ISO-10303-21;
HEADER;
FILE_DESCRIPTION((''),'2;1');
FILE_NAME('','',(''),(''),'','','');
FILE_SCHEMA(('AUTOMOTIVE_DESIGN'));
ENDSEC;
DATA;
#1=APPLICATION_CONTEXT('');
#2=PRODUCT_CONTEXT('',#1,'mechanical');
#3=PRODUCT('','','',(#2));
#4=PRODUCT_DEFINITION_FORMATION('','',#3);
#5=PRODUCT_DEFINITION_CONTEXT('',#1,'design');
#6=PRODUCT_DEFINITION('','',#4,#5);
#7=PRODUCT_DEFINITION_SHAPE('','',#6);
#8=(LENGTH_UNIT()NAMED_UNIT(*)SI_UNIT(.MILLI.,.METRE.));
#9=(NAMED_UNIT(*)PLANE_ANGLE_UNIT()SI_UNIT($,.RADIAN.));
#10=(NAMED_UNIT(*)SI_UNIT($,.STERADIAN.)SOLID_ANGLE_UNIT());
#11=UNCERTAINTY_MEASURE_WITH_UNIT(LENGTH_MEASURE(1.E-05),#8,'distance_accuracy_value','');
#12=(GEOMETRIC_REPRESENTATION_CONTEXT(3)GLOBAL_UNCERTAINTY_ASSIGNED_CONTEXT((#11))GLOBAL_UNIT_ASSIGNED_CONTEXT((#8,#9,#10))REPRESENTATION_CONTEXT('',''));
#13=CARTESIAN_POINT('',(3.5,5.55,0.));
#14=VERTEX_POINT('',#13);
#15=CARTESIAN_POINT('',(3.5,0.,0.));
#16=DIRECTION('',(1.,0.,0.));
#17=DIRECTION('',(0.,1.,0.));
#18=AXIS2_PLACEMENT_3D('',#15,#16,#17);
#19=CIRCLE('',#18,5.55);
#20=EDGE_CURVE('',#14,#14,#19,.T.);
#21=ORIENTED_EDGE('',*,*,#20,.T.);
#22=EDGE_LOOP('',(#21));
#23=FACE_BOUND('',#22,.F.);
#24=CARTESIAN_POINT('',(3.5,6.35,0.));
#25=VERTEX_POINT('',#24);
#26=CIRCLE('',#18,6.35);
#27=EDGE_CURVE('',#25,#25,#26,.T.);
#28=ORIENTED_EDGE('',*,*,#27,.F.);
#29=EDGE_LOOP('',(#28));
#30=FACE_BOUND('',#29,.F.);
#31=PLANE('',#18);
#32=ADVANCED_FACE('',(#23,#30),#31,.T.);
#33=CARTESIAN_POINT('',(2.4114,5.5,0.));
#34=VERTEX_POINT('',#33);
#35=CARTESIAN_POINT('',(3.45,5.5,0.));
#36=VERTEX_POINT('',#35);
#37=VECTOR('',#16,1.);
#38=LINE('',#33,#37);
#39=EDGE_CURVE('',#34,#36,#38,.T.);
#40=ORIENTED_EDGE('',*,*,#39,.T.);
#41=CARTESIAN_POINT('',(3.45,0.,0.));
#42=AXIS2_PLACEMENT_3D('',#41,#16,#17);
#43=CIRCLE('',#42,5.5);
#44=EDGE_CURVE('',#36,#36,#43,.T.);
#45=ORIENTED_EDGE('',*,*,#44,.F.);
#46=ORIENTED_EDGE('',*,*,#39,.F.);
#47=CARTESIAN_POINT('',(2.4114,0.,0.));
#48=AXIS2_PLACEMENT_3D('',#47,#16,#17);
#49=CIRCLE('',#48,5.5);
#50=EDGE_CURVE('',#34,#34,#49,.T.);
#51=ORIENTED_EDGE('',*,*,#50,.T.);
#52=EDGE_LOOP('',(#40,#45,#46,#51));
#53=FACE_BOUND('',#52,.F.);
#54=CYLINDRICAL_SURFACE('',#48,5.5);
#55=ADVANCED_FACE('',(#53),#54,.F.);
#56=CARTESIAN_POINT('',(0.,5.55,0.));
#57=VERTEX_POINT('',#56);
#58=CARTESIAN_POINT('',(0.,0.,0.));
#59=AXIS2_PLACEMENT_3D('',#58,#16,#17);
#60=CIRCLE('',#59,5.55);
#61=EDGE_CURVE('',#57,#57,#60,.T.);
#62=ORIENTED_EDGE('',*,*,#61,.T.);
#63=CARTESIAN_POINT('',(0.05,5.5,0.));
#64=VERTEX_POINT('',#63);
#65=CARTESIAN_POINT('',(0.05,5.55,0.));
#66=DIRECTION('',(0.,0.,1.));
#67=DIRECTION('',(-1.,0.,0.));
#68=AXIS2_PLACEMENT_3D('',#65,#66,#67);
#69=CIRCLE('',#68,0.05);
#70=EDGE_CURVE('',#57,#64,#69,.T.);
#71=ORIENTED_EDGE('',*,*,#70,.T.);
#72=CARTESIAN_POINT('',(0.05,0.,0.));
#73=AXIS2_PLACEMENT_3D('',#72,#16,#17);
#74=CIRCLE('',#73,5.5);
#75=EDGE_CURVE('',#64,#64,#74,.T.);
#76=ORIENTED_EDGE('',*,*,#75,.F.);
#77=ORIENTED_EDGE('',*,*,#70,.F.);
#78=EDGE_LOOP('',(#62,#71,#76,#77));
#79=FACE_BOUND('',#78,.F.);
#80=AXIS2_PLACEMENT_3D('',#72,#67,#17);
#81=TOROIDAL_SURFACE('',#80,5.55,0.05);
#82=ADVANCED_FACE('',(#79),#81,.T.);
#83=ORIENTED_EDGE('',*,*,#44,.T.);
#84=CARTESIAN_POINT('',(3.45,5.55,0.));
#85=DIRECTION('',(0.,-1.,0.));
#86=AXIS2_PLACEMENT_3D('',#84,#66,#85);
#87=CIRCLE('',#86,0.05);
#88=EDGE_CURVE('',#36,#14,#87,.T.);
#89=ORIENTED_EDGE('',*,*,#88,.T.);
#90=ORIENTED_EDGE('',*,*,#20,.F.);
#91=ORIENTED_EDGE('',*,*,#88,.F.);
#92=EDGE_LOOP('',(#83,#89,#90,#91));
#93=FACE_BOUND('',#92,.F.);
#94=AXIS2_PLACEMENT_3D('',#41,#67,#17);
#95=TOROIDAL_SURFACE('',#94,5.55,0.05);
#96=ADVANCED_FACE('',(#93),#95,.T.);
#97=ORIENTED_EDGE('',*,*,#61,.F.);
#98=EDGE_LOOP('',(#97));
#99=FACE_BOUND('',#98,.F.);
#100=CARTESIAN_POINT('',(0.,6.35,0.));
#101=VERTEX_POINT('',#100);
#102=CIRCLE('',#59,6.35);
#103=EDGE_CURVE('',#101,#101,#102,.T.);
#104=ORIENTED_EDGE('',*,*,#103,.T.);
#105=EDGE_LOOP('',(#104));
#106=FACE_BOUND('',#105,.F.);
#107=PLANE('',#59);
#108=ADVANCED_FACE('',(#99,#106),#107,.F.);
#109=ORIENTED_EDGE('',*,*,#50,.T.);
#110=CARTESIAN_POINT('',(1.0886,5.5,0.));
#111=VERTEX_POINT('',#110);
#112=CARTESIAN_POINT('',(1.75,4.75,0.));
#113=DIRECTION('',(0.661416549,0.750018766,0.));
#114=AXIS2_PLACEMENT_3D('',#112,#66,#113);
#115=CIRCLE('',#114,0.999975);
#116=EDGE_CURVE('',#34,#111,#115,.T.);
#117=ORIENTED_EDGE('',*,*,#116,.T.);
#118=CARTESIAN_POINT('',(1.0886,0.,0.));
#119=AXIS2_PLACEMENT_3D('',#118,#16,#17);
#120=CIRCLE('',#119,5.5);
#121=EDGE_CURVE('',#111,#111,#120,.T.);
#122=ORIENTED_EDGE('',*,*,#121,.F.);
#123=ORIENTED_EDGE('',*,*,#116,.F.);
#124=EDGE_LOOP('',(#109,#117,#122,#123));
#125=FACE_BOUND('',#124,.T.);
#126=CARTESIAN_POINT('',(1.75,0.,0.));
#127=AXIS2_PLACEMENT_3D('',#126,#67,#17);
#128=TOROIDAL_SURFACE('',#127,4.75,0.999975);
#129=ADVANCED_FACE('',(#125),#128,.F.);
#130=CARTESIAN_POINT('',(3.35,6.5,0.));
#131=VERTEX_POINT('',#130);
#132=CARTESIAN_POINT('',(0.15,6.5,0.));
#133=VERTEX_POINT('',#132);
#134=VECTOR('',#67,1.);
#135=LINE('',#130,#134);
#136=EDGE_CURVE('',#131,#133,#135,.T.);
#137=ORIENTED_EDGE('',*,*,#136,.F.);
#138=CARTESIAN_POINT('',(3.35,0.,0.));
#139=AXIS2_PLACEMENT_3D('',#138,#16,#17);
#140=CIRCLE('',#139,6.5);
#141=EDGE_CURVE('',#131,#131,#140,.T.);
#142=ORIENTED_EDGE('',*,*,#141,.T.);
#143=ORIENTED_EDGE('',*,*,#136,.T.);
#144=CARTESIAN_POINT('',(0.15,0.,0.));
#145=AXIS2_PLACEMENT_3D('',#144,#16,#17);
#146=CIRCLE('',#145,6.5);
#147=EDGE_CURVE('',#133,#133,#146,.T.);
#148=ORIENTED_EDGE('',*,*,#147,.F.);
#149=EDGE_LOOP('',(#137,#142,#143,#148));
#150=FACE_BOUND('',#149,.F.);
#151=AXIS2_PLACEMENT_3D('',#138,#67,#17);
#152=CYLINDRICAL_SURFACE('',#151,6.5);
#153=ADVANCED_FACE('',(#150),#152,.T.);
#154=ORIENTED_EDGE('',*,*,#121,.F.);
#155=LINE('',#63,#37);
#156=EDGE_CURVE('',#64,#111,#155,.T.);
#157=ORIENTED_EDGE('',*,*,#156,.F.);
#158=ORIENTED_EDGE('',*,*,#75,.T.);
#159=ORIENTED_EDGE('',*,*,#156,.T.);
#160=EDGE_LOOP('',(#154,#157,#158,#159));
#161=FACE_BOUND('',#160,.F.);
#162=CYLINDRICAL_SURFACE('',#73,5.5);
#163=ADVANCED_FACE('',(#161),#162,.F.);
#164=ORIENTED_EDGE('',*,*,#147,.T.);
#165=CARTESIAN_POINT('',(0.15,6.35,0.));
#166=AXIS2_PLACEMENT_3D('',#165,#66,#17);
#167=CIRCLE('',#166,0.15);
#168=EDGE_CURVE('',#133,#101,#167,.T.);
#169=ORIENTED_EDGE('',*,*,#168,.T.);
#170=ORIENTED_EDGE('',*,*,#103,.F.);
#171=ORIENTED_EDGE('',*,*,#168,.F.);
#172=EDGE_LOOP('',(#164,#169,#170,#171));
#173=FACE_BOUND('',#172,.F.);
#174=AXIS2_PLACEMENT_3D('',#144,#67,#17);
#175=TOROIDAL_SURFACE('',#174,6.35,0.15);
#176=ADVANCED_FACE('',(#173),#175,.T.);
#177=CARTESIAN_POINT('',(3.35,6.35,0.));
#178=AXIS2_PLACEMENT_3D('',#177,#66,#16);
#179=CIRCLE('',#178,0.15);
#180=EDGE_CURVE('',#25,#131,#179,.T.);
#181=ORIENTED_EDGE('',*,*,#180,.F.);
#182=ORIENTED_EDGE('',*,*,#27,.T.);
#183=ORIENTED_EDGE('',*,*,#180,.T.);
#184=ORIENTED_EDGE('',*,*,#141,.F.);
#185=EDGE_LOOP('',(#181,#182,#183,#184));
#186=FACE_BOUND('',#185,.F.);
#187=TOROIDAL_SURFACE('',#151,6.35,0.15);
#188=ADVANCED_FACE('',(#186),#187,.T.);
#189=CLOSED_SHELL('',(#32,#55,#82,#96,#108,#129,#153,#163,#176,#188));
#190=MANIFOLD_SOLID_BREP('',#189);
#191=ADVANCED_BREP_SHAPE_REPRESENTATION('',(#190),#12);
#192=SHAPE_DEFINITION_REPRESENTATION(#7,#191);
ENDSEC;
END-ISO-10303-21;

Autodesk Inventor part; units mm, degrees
ref_plane "YZ Plane" through (0, 0, 0) normal (1, 0, 0) x (0, 1, 0)
ref_plane "XZ Plane" through (0, 0, 0) normal (0, 1, 0) x (-1, 0, 0)
ref_plane "XY Plane" through (0, 0, 0) normal (0, 0, 1) x (1, 0, 0)
sketch "Sketch_1" plane through (0, 0, 0) normal (0, 0, 1) x (1, 0, 0)
  line L0 (50, 0) -> (-50, 0)
  line L1 (0, 6.35) -> (0, 5.55)
  arc A0 (0, 5.55) -> (0.05, 5.5) centre (0.05, 5.55) ccw
  line L2 (0.05, 5.5) -> (1.0886, 5.5)
  arc A1 (2.4114, 5.5) -> (1.0886, 5.5) centre (1.75, 4.75) ccw
  line L3 (2.4114, 5.5) -> (3.45, 5.5)
  arc A2 (3.45, 5.5) -> (3.5, 5.55) centre (3.45, 5.55) ccw
  line L4 (3.5, 5.55) -> (3.5, 6.35)
  arc A3 (3.5, 6.35) -> (3.35, 6.5) centre (3.35, 6.35) ccw
  line L5 (3.35, 6.5) -> (0.15, 6.5)
  arc A4 (0.15, 6.5) -> (0, 6.35) centre (0.15, 6.35) ccw
revolve "Revolution1" add sketch "Sketch_1" angle 360 about axis through (50, 0, 0) along (1, 0, 0)
properties part number "SKF_618/6_PART2"
